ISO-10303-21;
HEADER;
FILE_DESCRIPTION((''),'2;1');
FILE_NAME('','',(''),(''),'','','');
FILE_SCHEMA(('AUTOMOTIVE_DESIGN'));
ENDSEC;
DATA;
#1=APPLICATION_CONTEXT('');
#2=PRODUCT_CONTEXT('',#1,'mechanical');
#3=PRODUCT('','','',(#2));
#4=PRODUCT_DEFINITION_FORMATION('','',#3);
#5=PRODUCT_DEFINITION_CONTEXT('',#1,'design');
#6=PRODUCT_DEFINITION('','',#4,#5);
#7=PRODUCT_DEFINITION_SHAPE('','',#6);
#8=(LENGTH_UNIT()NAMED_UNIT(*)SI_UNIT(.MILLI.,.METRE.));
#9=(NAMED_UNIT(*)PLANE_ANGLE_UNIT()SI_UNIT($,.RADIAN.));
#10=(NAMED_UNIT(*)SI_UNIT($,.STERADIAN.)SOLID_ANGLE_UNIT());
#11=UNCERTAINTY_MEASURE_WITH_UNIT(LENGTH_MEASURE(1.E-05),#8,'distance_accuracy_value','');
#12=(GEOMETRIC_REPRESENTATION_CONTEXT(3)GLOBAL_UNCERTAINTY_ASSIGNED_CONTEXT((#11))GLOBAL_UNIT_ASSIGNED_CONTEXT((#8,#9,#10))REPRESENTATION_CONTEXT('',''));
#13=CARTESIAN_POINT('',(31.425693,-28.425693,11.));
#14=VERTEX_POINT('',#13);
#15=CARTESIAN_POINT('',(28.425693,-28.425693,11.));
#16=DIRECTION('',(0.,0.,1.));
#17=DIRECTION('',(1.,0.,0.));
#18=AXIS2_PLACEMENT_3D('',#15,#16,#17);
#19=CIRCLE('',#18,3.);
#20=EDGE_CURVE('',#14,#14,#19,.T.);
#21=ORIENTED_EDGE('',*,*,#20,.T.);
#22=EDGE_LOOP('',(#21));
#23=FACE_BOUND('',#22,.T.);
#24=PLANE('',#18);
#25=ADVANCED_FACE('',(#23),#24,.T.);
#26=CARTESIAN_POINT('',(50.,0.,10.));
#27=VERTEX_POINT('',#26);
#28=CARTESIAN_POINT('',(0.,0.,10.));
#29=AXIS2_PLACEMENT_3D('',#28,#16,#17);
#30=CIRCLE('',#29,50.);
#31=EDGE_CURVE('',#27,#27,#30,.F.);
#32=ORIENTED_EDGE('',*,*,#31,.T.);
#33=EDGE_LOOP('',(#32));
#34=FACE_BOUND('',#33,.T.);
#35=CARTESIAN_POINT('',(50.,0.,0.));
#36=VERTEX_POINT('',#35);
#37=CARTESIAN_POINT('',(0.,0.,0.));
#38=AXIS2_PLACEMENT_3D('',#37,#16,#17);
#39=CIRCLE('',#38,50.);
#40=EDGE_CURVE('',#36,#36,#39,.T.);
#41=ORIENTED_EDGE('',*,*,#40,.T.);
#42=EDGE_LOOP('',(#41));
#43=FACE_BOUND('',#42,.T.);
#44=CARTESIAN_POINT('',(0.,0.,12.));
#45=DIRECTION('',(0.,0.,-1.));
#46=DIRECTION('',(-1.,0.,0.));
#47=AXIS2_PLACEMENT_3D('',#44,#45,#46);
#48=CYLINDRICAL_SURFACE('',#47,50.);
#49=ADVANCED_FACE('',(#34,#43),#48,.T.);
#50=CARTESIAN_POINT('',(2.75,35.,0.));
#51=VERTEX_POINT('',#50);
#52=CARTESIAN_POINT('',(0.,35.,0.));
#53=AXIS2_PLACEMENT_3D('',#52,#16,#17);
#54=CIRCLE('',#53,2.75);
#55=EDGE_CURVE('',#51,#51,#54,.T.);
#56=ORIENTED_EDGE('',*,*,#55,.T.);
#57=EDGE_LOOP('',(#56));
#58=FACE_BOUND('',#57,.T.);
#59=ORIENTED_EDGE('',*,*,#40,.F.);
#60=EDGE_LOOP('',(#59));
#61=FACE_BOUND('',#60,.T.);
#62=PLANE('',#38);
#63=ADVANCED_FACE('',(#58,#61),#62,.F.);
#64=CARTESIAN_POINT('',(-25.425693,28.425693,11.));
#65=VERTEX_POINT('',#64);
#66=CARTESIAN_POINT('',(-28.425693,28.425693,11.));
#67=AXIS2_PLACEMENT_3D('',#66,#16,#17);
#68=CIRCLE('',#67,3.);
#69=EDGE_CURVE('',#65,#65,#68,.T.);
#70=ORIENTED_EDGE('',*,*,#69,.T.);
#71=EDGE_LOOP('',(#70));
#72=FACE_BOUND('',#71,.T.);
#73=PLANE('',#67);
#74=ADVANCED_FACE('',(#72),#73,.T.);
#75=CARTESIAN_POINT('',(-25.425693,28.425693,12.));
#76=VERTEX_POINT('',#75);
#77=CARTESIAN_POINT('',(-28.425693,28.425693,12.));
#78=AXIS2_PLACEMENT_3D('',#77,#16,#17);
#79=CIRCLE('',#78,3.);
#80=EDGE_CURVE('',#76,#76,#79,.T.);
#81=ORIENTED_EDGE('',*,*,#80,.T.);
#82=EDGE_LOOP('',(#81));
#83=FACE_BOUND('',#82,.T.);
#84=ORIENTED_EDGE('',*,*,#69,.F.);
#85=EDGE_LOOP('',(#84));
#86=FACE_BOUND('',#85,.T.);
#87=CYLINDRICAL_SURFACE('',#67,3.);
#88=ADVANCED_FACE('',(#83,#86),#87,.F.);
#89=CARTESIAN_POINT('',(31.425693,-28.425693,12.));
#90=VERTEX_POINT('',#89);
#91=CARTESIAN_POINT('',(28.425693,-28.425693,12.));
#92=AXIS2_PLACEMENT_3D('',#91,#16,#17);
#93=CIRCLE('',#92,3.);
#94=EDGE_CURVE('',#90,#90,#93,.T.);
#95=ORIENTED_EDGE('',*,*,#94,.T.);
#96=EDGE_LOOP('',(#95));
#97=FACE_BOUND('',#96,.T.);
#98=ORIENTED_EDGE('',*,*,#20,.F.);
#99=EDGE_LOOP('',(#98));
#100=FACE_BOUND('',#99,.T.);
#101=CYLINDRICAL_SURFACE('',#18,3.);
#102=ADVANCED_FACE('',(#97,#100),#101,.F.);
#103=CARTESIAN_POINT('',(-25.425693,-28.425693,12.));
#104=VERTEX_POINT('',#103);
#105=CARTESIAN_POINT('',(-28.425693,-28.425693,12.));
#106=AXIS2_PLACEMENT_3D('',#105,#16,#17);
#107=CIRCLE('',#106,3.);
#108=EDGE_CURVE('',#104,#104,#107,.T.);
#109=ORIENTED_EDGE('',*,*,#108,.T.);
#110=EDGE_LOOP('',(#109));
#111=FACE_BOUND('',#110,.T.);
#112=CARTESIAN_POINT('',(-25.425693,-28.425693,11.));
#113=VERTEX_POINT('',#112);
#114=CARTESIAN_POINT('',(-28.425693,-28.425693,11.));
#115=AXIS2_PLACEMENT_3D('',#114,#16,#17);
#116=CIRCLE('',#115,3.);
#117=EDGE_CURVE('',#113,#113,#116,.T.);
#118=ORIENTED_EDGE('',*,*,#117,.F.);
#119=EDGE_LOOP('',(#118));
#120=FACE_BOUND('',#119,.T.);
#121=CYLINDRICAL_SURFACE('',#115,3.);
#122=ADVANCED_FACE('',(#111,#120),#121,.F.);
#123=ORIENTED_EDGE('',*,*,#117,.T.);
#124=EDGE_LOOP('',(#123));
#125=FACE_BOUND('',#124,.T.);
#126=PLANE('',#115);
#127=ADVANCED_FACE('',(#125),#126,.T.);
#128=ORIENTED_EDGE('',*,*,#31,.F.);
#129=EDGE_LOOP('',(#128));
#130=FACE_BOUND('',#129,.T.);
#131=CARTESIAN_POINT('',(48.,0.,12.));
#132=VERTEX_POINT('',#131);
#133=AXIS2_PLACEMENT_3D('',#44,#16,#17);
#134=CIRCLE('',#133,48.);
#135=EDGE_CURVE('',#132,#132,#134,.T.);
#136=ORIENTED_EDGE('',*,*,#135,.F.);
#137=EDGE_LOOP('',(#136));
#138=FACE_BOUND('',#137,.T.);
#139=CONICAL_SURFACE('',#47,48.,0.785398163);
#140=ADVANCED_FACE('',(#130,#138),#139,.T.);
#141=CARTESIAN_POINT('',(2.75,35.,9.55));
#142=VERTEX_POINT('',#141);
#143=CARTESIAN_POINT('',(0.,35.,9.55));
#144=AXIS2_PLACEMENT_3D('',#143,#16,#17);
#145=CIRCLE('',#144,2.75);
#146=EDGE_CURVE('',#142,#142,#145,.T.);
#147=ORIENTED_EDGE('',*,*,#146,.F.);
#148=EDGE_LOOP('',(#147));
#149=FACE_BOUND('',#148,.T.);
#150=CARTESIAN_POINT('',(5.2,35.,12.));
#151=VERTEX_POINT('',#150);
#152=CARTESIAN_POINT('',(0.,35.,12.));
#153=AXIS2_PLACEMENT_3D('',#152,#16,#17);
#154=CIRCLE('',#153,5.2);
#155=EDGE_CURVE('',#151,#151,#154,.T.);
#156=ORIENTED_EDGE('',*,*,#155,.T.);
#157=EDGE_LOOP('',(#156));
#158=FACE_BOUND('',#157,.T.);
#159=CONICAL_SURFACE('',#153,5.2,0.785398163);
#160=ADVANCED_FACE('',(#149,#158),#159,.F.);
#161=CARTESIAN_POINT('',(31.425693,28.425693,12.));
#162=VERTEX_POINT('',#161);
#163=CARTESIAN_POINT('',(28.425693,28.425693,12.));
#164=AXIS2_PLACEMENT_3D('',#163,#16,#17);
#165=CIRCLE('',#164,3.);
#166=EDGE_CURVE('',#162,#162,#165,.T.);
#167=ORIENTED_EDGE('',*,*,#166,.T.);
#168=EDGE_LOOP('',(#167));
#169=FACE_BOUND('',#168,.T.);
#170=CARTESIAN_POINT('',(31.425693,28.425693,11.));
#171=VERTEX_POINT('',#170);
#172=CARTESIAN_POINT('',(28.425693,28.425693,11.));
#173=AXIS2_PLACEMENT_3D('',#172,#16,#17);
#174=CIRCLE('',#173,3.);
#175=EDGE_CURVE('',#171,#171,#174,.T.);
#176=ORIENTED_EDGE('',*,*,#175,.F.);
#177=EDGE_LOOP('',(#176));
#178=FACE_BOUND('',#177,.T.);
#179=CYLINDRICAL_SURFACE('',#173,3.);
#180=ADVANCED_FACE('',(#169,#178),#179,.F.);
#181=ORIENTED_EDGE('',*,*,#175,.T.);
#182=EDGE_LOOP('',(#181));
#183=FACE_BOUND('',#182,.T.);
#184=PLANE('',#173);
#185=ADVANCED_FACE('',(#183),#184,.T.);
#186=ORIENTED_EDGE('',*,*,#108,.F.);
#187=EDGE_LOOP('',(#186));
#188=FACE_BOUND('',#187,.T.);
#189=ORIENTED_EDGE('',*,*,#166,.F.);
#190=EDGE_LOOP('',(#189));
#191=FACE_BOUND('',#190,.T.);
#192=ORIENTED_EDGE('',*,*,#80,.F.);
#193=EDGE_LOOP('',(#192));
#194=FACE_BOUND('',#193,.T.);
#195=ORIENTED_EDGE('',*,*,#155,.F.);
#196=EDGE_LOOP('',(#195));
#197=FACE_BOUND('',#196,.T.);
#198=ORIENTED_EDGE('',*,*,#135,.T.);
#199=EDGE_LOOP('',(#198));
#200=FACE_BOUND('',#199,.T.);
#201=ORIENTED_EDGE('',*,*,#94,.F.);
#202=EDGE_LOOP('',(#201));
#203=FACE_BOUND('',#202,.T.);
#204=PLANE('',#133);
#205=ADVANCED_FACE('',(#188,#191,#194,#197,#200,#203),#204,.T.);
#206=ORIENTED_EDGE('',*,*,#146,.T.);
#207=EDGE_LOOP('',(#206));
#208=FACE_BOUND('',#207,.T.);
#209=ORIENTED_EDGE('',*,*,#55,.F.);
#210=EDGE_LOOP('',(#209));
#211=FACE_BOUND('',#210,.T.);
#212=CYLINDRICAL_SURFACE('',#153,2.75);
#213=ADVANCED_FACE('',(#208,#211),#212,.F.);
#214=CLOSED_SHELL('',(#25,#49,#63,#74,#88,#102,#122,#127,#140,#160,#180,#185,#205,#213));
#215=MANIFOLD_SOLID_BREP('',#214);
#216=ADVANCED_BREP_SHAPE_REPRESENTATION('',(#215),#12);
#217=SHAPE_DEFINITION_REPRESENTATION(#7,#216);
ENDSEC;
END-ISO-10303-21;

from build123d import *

# Parameters (mm, degrees)
SKETCH2_R                                       = 50
BOSS_EXTRUDE1_DEPTH                             = 12
CSK_FOR_M5_FLAT_HEAD_MACHINE_SCREW1_D           = 5.5
CSK_FOR_M5_FLAT_HEAD_MACHINE_SCREW1_DEPTH       = 12
CSK_FOR_M5_FLAT_HEAD_MACHINE_SCREW1_CSINK_D     = 10.4
CSK_FOR_M5_FLAT_HEAD_MACHINE_SCREW1_CSINK_ANGLE = 90
SKETCH6_R                                       = 3
CUT_EXTRUDE1_DEPTH                              = 1
CHAMFER1_SIZE                                   = 2


with BuildPart() as part:
    # Sketch2 → Boss-Extrude1 (new body)
    with BuildSketch(Plane.XY):
        Circle(SKETCH2_R)
    extrude(amount=BOSS_EXTRUDE1_DEPTH)

    # CSK for M5 Flat Head Machine Screw1
    with Locations(Plane.XY.offset(12)):
        with Locations((0, 35)):
            CounterSinkHole(CSK_FOR_M5_FLAT_HEAD_MACHINE_SCREW1_D / 2, CSK_FOR_M5_FLAT_HEAD_MACHINE_SCREW1_CSINK_D / 2, depth=CSK_FOR_M5_FLAT_HEAD_MACHINE_SCREW1_DEPTH, counter_sink_angle=CSK_FOR_M5_FLAT_HEAD_MACHINE_SCREW1_CSINK_ANGLE)

    # Sketch6 → Cut-Extrude1 (cut)
    with BuildSketch(Plane.XY.offset(12)):
        with Locations((-28.425692604, 28.425692604)):
            Circle(SKETCH6_R)
        with Locations((28.425692604, 28.425692604)):
            Circle(SKETCH6_R)
        with Locations((28.425692604, -28.425692604)):
            Circle(SKETCH6_R)
        with Locations((-28.425692604, -28.425692604)):
            Circle(SKETCH6_R)
    extrude(amount=-CUT_EXTRUDE1_DEPTH, mode=Mode.SUBTRACT)

    # Chamfer1
    chamfer1_edges = [part.edges().sort_by_distance(p)[0] for p in [
        (-50, 0, 12),
    ]]
    chamfer(chamfer1_edges, length=CHAMFER1_SIZE)


solid = part.part
